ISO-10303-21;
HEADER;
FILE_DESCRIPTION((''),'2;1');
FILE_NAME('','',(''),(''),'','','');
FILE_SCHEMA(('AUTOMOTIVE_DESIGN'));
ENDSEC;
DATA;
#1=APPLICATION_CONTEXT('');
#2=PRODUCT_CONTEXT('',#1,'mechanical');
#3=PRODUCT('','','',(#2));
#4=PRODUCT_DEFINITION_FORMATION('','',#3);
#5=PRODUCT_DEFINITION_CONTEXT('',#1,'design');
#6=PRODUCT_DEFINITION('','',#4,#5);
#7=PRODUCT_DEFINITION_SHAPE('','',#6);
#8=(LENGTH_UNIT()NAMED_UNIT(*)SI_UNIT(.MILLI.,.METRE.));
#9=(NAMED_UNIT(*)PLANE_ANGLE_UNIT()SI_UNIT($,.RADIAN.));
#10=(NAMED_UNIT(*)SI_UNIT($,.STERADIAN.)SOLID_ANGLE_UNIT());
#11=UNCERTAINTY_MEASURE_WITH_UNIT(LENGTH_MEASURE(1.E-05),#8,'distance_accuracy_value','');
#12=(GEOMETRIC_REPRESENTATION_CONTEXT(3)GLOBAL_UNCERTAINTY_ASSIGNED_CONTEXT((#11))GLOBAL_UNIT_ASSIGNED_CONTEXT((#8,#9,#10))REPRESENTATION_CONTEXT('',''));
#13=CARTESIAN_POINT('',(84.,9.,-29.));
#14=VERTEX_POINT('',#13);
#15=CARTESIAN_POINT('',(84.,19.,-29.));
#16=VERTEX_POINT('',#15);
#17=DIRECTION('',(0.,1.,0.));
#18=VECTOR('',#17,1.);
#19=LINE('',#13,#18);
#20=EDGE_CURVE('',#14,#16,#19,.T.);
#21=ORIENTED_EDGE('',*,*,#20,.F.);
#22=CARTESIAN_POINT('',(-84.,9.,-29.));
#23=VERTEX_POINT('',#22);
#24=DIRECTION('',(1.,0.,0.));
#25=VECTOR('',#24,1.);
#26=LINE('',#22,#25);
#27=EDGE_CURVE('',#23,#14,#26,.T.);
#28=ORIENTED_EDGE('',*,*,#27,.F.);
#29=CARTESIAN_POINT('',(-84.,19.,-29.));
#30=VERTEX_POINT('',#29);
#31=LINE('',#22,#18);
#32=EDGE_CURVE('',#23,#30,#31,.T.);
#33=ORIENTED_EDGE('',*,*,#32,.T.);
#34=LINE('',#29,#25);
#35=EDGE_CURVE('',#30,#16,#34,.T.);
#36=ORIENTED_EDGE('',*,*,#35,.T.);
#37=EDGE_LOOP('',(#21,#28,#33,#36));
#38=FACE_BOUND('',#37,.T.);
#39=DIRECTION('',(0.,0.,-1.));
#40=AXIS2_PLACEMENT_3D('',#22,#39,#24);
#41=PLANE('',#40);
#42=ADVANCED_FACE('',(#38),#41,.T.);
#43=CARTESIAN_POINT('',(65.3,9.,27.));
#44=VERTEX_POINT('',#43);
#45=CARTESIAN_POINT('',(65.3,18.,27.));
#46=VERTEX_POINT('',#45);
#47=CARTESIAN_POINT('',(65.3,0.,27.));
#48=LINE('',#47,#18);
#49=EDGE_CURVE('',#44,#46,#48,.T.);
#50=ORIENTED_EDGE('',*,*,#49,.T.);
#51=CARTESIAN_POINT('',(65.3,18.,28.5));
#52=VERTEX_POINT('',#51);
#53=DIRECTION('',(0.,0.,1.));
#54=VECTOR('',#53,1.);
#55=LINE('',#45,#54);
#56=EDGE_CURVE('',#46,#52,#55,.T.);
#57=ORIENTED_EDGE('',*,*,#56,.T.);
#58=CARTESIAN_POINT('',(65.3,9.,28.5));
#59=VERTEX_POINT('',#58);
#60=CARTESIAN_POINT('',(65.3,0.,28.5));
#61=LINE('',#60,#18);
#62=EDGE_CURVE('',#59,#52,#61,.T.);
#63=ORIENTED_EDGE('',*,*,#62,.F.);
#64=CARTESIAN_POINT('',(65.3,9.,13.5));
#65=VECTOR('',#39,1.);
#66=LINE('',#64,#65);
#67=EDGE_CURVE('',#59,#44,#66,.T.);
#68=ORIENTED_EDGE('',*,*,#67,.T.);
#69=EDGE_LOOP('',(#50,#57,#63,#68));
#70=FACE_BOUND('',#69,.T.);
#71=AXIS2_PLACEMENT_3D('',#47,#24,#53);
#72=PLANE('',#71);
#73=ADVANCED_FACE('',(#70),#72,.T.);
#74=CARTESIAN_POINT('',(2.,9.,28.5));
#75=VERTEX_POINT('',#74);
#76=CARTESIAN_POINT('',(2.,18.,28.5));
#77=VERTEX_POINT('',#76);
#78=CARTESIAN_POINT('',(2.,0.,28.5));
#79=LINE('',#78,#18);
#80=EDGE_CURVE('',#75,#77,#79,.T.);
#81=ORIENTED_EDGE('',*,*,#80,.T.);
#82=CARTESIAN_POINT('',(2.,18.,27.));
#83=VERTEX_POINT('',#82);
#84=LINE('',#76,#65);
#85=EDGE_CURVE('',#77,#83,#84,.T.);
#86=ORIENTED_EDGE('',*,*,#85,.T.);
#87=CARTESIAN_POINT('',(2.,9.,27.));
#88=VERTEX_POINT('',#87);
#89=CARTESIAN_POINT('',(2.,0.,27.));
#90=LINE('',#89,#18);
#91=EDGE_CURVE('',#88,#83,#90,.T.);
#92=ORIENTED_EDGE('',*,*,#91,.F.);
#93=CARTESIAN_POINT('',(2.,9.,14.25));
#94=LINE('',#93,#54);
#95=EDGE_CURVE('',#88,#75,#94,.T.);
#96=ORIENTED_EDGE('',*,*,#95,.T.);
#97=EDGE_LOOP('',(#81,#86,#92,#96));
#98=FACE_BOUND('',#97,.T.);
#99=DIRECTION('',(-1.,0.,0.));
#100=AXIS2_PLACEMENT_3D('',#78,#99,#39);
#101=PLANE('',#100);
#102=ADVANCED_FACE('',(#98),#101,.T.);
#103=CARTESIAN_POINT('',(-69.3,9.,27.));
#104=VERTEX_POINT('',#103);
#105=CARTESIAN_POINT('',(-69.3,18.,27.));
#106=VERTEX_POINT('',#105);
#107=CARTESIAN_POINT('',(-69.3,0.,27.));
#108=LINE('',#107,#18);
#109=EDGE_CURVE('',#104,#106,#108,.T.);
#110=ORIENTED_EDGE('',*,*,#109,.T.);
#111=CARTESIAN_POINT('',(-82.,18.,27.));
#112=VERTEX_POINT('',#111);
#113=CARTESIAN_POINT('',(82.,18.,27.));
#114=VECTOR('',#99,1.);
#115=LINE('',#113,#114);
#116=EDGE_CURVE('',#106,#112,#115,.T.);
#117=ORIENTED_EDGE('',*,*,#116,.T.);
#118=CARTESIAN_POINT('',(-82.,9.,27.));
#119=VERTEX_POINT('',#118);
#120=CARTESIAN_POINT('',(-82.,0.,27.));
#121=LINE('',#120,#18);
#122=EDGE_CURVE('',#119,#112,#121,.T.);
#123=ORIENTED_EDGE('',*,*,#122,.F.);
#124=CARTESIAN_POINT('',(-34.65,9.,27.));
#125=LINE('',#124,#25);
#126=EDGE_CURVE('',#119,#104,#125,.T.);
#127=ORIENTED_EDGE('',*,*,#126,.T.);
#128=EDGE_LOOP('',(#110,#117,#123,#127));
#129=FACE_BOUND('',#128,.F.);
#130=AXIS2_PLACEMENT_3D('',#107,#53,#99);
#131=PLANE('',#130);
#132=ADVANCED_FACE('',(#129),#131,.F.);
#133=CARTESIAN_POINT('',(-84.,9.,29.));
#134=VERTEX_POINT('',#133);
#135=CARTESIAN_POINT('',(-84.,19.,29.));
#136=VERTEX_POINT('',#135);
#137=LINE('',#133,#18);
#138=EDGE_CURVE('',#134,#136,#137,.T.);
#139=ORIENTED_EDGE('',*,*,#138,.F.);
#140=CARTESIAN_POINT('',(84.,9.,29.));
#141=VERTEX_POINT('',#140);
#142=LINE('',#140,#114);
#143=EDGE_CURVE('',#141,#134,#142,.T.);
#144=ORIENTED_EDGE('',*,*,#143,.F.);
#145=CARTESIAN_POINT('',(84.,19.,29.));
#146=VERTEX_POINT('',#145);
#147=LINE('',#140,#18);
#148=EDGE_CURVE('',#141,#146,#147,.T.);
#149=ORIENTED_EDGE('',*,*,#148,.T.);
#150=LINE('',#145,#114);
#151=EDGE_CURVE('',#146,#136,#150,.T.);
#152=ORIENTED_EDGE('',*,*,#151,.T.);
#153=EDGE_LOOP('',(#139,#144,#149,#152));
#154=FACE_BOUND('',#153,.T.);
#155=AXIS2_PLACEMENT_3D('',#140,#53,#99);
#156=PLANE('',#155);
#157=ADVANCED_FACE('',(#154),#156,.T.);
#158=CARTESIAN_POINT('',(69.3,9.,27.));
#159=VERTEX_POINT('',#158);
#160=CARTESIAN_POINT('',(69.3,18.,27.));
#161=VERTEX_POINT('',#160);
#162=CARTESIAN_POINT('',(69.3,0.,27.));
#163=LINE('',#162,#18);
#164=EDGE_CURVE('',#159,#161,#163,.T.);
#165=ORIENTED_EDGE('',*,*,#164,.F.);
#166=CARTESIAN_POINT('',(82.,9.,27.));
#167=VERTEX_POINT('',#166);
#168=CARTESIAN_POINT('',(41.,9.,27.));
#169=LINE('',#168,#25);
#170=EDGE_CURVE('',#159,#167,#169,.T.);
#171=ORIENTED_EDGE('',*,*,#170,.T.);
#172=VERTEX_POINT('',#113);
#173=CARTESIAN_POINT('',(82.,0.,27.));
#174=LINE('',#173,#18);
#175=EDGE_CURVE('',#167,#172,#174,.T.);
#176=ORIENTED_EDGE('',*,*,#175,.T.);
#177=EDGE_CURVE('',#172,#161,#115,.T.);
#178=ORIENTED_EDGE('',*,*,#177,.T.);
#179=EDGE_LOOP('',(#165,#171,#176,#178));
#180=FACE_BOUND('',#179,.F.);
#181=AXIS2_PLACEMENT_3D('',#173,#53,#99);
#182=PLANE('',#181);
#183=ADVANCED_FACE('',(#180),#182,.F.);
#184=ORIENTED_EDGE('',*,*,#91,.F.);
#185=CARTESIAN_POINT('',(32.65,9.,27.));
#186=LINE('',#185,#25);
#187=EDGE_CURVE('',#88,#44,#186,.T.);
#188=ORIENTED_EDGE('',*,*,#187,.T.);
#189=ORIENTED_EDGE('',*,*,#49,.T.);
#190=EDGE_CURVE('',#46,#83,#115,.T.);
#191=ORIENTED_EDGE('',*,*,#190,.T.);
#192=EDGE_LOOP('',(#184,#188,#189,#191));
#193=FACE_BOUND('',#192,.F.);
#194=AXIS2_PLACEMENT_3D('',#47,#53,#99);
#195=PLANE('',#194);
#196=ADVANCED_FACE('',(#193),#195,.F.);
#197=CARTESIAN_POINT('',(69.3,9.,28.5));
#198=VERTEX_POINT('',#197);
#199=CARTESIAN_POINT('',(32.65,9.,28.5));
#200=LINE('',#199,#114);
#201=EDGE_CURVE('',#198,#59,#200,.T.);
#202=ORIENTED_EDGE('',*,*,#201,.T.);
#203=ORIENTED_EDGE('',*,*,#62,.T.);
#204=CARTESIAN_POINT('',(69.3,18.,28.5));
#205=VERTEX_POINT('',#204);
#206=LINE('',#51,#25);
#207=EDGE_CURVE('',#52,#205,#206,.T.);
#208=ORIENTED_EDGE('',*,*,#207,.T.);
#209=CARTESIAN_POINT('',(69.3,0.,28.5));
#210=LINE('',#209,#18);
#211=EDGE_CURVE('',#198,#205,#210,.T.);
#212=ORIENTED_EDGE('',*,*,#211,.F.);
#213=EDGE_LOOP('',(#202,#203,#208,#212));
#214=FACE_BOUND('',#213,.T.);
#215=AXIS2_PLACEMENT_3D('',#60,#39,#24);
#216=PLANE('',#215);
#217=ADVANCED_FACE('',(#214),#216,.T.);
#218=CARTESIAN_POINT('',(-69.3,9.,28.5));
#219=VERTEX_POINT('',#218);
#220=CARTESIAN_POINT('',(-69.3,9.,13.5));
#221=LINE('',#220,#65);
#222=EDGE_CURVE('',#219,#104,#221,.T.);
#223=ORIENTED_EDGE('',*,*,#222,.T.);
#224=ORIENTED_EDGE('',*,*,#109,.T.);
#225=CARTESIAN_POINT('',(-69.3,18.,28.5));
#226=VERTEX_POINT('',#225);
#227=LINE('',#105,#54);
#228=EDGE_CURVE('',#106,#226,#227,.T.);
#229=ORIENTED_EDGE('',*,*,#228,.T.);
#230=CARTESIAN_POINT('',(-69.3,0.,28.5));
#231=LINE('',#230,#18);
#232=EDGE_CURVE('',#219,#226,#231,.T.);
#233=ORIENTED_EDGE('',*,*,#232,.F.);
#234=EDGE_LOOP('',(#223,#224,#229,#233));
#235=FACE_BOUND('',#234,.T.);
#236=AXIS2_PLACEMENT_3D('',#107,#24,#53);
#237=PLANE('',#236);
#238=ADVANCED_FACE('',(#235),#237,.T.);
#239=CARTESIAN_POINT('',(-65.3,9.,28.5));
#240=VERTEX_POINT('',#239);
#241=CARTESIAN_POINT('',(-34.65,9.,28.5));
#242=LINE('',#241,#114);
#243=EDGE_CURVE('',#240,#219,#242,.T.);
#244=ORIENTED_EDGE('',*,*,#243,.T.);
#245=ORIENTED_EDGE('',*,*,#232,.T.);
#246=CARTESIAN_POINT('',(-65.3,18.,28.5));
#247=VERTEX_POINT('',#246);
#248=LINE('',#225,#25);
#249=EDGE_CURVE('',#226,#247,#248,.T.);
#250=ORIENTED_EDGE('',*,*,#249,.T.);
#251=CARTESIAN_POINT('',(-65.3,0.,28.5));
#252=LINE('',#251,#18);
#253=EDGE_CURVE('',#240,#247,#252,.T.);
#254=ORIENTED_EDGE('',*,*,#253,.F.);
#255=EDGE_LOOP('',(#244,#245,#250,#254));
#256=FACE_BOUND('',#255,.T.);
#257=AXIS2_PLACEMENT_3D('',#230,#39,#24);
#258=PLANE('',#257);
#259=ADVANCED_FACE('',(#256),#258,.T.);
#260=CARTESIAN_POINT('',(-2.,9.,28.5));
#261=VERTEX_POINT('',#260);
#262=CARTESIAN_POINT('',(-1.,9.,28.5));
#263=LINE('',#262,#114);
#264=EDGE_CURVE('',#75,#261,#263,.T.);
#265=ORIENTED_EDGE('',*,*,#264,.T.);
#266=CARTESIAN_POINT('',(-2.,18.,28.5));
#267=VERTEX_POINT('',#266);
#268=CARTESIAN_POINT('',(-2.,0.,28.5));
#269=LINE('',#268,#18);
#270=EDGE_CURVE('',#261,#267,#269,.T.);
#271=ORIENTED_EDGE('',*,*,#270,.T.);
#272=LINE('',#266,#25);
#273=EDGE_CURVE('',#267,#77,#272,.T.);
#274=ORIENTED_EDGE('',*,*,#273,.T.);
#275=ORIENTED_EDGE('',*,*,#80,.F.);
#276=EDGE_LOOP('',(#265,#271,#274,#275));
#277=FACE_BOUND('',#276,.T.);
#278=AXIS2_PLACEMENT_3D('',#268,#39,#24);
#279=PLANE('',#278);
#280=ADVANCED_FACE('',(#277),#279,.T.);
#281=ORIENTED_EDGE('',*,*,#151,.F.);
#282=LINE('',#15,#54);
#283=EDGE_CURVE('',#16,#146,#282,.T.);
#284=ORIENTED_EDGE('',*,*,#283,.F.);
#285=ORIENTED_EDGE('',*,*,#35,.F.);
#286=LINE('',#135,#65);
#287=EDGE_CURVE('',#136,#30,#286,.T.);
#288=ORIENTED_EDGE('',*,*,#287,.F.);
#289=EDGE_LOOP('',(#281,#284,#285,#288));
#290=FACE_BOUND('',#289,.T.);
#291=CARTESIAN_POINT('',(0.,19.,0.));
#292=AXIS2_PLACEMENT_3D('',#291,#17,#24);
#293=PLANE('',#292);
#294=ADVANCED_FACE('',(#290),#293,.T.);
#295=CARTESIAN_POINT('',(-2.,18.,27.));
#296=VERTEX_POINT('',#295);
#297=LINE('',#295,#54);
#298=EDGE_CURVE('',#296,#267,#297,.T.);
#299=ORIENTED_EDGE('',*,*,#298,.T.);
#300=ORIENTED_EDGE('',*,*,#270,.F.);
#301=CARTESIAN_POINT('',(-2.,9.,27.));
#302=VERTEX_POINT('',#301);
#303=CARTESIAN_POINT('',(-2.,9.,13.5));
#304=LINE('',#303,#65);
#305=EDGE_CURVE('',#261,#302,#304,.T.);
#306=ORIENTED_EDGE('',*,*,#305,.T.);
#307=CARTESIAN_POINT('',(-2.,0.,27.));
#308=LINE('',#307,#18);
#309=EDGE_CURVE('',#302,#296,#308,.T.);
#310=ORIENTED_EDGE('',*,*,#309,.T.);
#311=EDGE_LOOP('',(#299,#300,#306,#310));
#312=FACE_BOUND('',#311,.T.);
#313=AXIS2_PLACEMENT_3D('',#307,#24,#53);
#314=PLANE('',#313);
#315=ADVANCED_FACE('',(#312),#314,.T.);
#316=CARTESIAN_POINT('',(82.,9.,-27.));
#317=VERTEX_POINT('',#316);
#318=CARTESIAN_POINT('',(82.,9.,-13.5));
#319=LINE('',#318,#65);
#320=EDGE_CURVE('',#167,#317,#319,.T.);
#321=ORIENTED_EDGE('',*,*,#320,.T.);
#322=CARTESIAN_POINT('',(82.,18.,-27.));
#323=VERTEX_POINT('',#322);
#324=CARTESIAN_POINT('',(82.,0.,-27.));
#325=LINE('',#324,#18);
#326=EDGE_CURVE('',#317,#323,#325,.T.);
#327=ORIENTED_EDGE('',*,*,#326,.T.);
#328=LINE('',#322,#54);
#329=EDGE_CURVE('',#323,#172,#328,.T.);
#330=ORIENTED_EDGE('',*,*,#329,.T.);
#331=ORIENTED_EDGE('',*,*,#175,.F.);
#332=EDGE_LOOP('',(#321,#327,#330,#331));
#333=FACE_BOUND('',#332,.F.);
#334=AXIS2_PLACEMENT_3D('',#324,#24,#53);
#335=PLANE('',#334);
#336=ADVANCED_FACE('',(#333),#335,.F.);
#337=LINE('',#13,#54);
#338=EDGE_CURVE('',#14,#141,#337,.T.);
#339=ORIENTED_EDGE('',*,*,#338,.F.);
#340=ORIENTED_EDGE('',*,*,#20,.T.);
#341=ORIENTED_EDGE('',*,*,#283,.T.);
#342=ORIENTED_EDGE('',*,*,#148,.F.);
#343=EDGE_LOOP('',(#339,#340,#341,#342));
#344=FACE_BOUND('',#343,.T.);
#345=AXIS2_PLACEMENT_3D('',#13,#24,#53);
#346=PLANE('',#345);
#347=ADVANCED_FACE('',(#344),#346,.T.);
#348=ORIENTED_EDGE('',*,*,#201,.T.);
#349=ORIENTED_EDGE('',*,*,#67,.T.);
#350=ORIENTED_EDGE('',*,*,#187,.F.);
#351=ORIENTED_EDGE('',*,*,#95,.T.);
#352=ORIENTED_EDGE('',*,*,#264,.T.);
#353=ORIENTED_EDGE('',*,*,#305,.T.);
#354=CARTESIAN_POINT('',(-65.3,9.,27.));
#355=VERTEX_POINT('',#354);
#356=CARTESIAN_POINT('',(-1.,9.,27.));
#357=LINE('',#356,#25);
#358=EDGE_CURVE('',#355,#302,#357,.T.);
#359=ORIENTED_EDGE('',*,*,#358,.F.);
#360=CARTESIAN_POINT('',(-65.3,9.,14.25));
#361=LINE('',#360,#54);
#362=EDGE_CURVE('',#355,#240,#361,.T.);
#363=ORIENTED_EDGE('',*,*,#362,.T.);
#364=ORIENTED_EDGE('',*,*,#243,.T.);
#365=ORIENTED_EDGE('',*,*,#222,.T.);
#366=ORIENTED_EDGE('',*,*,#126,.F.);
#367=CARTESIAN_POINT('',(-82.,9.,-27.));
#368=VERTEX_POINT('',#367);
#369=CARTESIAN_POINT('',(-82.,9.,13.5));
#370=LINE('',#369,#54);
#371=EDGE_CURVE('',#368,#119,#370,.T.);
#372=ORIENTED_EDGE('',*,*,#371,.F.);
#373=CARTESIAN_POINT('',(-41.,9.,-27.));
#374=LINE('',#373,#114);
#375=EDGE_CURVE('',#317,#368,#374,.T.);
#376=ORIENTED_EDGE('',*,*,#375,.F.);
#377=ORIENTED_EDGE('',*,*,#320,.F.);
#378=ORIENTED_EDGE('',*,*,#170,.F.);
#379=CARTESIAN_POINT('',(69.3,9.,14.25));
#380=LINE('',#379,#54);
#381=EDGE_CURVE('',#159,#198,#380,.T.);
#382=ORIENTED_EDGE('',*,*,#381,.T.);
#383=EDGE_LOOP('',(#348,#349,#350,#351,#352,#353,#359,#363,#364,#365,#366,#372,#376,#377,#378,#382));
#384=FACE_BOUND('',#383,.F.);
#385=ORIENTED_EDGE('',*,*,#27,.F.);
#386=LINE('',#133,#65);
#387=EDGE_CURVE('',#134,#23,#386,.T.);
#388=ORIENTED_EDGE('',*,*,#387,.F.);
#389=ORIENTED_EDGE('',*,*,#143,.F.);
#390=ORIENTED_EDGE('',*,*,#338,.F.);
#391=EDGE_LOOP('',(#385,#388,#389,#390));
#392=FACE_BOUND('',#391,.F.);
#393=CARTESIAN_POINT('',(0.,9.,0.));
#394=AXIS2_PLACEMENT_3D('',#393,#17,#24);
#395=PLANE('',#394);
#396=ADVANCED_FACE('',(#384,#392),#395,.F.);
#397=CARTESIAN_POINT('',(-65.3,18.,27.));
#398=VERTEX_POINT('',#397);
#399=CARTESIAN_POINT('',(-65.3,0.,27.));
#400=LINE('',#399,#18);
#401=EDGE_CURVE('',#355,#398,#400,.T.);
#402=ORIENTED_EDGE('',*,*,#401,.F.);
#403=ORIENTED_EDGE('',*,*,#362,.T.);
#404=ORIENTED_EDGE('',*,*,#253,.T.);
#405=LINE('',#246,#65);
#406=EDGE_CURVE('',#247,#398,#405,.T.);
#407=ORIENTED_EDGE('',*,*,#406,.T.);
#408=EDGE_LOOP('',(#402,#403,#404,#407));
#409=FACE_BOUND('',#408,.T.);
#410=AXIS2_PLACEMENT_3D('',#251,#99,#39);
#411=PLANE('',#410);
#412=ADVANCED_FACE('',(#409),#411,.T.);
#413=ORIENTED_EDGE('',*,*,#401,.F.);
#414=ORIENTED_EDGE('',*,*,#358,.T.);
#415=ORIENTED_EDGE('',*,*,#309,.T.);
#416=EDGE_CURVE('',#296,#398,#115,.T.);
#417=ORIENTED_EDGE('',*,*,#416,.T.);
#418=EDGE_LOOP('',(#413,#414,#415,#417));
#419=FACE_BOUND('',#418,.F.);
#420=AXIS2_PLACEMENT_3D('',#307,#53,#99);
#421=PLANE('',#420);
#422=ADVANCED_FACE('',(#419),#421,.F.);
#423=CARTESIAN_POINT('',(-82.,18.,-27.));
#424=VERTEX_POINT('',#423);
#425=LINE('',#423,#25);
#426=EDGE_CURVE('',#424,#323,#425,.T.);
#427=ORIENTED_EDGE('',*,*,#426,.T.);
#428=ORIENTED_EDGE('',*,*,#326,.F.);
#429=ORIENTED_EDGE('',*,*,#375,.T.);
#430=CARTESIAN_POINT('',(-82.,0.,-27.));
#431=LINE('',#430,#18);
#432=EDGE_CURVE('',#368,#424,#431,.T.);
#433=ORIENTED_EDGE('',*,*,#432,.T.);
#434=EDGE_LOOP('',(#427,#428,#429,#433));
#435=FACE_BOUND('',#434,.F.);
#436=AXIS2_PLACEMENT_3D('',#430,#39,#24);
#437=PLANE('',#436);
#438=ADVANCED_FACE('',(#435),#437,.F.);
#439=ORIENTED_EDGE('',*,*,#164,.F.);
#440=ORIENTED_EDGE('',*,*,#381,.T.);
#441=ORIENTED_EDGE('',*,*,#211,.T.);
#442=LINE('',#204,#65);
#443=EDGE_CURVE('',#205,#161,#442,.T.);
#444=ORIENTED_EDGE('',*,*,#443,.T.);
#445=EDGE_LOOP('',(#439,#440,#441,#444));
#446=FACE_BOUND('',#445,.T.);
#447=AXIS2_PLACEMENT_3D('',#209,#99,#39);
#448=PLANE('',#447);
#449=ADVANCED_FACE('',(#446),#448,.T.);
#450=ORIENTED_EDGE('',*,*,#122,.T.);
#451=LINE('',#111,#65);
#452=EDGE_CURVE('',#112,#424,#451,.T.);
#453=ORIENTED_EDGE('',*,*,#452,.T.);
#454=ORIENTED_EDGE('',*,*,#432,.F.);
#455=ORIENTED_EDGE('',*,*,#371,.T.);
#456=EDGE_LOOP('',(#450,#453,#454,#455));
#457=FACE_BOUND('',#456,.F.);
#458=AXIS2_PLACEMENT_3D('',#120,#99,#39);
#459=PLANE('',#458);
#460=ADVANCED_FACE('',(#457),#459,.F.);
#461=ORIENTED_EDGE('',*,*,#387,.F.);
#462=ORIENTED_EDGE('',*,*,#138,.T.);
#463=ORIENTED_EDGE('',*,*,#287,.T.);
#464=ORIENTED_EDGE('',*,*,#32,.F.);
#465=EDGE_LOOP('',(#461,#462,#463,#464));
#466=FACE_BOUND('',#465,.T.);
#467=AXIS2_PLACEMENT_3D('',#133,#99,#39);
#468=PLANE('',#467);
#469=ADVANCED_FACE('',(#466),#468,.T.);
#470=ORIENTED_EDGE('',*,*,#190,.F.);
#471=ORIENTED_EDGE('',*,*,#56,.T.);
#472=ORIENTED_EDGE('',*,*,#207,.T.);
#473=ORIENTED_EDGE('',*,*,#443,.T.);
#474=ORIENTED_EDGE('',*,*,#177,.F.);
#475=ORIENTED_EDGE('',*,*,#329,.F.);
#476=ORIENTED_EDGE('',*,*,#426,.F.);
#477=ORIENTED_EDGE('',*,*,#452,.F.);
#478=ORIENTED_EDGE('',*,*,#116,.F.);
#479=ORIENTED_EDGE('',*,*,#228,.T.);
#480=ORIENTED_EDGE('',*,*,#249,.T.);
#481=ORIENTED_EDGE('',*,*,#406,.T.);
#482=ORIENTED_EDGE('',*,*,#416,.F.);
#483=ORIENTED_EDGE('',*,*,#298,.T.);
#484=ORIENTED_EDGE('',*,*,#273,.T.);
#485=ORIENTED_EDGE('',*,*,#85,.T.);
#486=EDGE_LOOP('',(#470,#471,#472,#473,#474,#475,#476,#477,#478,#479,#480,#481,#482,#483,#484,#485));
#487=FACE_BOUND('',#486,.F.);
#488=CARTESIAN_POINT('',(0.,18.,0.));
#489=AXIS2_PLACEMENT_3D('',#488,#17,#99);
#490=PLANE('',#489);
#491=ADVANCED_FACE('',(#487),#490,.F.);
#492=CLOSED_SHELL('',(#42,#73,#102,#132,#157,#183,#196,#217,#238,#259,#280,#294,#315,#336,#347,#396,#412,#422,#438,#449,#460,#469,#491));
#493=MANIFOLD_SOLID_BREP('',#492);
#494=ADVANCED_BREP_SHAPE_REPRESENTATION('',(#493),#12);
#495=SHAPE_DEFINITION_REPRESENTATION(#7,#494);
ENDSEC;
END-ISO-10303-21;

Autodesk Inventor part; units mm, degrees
ref_plane "YZ Plane" through (0, 0, 0) normal (1, 0, 0) x (0, 1, 0)
ref_plane "XZ Plane" through (0, 0, 0) normal (0, 1, 0) x (-1, 0, 0)
ref_plane "XY Plane" through (0, 0, 0) normal (0, 0, 1) x (1, 0, 0)
sketch "Sketch1" plane through (0, 0, 0) normal (0, 1, 0) x (-1, 0, 0)
  line L0 (82, -27) -> (-82, -27)
  line L1 (-82, -27) -> (-82, 27)
  line L2 (-82, 27) -> (82, 27)
  line L3 (82, 27) -> (82, -27)
  line L4 (82, -27) -> (-82, 27) construction
  line L5 (-82, -27) -> (82, 27) construction
  line L6 (82, 27) -> (82, 28.5)
  line L7 (82, 28.5) -> (69.3, 28.5)
  line L8 (69.3, 28.5) -> (65.3, 28.5)
  line L9 (65.3, 28.5) -> (65.3, 27)
  line L10 (65.3, 27) -> (69.3, 27)
  line L11 (69.3, 27) -> (69.3, 28.5)
  line L12 (2, 27) -> (2, 28.5)
  line L13 (2, 28.5) -> (-2, 28.5)
  line L14 (-2, 28.5) -> (-2, 27)
  line L15 (-65.3, 27) -> (-65.3, 28.5)
  line L16 (-65.3, 28.5) -> (-69.3, 28.5)
  line L17 (-69.3, 28.5) -> (-69.3, 27)
  point P0 (0, 0)
  dimension "d0" = 164
  dimension "d1" = 54
  dimension "d3" = 4
  dimension "d4" = 1.5
  dimension "d7" = 67.3
ref_plane "Work Plane1" through (0, 9, 0) normal (0, 1, 0) x (1, 0, 0)
sketch "Sketch2" plane through (0, 9, 0) normal (0, 1, 0) x (1, 0, 0)
  line L0 (-84, 29) -> (84, 29)
  line L1 (84, 29) -> (84, -29)
  line L2 (84, -29) -> (-84, -29)
  line L3 (-84, -29) -> (-84, 29)
  line L4 (-84, 29) -> (84, -29) construction
  line L5 (84, 29) -> (-84, -29) construction
  point P0 (0, 0)
  dimension "d14" = 168
  dimension "d15" = 58
extrude "Extrusion2" add sketch "Sketch2" along normal blind 10
extrude "Extrusion3" cut sketch "Sketch1" along normal blind 18 contours L0 L1 L2 L3 | L2 L9 L8 L11 | L17 L16 L15 L2 | L2 L14 L13 L12
properties part number "controllerBottom"
